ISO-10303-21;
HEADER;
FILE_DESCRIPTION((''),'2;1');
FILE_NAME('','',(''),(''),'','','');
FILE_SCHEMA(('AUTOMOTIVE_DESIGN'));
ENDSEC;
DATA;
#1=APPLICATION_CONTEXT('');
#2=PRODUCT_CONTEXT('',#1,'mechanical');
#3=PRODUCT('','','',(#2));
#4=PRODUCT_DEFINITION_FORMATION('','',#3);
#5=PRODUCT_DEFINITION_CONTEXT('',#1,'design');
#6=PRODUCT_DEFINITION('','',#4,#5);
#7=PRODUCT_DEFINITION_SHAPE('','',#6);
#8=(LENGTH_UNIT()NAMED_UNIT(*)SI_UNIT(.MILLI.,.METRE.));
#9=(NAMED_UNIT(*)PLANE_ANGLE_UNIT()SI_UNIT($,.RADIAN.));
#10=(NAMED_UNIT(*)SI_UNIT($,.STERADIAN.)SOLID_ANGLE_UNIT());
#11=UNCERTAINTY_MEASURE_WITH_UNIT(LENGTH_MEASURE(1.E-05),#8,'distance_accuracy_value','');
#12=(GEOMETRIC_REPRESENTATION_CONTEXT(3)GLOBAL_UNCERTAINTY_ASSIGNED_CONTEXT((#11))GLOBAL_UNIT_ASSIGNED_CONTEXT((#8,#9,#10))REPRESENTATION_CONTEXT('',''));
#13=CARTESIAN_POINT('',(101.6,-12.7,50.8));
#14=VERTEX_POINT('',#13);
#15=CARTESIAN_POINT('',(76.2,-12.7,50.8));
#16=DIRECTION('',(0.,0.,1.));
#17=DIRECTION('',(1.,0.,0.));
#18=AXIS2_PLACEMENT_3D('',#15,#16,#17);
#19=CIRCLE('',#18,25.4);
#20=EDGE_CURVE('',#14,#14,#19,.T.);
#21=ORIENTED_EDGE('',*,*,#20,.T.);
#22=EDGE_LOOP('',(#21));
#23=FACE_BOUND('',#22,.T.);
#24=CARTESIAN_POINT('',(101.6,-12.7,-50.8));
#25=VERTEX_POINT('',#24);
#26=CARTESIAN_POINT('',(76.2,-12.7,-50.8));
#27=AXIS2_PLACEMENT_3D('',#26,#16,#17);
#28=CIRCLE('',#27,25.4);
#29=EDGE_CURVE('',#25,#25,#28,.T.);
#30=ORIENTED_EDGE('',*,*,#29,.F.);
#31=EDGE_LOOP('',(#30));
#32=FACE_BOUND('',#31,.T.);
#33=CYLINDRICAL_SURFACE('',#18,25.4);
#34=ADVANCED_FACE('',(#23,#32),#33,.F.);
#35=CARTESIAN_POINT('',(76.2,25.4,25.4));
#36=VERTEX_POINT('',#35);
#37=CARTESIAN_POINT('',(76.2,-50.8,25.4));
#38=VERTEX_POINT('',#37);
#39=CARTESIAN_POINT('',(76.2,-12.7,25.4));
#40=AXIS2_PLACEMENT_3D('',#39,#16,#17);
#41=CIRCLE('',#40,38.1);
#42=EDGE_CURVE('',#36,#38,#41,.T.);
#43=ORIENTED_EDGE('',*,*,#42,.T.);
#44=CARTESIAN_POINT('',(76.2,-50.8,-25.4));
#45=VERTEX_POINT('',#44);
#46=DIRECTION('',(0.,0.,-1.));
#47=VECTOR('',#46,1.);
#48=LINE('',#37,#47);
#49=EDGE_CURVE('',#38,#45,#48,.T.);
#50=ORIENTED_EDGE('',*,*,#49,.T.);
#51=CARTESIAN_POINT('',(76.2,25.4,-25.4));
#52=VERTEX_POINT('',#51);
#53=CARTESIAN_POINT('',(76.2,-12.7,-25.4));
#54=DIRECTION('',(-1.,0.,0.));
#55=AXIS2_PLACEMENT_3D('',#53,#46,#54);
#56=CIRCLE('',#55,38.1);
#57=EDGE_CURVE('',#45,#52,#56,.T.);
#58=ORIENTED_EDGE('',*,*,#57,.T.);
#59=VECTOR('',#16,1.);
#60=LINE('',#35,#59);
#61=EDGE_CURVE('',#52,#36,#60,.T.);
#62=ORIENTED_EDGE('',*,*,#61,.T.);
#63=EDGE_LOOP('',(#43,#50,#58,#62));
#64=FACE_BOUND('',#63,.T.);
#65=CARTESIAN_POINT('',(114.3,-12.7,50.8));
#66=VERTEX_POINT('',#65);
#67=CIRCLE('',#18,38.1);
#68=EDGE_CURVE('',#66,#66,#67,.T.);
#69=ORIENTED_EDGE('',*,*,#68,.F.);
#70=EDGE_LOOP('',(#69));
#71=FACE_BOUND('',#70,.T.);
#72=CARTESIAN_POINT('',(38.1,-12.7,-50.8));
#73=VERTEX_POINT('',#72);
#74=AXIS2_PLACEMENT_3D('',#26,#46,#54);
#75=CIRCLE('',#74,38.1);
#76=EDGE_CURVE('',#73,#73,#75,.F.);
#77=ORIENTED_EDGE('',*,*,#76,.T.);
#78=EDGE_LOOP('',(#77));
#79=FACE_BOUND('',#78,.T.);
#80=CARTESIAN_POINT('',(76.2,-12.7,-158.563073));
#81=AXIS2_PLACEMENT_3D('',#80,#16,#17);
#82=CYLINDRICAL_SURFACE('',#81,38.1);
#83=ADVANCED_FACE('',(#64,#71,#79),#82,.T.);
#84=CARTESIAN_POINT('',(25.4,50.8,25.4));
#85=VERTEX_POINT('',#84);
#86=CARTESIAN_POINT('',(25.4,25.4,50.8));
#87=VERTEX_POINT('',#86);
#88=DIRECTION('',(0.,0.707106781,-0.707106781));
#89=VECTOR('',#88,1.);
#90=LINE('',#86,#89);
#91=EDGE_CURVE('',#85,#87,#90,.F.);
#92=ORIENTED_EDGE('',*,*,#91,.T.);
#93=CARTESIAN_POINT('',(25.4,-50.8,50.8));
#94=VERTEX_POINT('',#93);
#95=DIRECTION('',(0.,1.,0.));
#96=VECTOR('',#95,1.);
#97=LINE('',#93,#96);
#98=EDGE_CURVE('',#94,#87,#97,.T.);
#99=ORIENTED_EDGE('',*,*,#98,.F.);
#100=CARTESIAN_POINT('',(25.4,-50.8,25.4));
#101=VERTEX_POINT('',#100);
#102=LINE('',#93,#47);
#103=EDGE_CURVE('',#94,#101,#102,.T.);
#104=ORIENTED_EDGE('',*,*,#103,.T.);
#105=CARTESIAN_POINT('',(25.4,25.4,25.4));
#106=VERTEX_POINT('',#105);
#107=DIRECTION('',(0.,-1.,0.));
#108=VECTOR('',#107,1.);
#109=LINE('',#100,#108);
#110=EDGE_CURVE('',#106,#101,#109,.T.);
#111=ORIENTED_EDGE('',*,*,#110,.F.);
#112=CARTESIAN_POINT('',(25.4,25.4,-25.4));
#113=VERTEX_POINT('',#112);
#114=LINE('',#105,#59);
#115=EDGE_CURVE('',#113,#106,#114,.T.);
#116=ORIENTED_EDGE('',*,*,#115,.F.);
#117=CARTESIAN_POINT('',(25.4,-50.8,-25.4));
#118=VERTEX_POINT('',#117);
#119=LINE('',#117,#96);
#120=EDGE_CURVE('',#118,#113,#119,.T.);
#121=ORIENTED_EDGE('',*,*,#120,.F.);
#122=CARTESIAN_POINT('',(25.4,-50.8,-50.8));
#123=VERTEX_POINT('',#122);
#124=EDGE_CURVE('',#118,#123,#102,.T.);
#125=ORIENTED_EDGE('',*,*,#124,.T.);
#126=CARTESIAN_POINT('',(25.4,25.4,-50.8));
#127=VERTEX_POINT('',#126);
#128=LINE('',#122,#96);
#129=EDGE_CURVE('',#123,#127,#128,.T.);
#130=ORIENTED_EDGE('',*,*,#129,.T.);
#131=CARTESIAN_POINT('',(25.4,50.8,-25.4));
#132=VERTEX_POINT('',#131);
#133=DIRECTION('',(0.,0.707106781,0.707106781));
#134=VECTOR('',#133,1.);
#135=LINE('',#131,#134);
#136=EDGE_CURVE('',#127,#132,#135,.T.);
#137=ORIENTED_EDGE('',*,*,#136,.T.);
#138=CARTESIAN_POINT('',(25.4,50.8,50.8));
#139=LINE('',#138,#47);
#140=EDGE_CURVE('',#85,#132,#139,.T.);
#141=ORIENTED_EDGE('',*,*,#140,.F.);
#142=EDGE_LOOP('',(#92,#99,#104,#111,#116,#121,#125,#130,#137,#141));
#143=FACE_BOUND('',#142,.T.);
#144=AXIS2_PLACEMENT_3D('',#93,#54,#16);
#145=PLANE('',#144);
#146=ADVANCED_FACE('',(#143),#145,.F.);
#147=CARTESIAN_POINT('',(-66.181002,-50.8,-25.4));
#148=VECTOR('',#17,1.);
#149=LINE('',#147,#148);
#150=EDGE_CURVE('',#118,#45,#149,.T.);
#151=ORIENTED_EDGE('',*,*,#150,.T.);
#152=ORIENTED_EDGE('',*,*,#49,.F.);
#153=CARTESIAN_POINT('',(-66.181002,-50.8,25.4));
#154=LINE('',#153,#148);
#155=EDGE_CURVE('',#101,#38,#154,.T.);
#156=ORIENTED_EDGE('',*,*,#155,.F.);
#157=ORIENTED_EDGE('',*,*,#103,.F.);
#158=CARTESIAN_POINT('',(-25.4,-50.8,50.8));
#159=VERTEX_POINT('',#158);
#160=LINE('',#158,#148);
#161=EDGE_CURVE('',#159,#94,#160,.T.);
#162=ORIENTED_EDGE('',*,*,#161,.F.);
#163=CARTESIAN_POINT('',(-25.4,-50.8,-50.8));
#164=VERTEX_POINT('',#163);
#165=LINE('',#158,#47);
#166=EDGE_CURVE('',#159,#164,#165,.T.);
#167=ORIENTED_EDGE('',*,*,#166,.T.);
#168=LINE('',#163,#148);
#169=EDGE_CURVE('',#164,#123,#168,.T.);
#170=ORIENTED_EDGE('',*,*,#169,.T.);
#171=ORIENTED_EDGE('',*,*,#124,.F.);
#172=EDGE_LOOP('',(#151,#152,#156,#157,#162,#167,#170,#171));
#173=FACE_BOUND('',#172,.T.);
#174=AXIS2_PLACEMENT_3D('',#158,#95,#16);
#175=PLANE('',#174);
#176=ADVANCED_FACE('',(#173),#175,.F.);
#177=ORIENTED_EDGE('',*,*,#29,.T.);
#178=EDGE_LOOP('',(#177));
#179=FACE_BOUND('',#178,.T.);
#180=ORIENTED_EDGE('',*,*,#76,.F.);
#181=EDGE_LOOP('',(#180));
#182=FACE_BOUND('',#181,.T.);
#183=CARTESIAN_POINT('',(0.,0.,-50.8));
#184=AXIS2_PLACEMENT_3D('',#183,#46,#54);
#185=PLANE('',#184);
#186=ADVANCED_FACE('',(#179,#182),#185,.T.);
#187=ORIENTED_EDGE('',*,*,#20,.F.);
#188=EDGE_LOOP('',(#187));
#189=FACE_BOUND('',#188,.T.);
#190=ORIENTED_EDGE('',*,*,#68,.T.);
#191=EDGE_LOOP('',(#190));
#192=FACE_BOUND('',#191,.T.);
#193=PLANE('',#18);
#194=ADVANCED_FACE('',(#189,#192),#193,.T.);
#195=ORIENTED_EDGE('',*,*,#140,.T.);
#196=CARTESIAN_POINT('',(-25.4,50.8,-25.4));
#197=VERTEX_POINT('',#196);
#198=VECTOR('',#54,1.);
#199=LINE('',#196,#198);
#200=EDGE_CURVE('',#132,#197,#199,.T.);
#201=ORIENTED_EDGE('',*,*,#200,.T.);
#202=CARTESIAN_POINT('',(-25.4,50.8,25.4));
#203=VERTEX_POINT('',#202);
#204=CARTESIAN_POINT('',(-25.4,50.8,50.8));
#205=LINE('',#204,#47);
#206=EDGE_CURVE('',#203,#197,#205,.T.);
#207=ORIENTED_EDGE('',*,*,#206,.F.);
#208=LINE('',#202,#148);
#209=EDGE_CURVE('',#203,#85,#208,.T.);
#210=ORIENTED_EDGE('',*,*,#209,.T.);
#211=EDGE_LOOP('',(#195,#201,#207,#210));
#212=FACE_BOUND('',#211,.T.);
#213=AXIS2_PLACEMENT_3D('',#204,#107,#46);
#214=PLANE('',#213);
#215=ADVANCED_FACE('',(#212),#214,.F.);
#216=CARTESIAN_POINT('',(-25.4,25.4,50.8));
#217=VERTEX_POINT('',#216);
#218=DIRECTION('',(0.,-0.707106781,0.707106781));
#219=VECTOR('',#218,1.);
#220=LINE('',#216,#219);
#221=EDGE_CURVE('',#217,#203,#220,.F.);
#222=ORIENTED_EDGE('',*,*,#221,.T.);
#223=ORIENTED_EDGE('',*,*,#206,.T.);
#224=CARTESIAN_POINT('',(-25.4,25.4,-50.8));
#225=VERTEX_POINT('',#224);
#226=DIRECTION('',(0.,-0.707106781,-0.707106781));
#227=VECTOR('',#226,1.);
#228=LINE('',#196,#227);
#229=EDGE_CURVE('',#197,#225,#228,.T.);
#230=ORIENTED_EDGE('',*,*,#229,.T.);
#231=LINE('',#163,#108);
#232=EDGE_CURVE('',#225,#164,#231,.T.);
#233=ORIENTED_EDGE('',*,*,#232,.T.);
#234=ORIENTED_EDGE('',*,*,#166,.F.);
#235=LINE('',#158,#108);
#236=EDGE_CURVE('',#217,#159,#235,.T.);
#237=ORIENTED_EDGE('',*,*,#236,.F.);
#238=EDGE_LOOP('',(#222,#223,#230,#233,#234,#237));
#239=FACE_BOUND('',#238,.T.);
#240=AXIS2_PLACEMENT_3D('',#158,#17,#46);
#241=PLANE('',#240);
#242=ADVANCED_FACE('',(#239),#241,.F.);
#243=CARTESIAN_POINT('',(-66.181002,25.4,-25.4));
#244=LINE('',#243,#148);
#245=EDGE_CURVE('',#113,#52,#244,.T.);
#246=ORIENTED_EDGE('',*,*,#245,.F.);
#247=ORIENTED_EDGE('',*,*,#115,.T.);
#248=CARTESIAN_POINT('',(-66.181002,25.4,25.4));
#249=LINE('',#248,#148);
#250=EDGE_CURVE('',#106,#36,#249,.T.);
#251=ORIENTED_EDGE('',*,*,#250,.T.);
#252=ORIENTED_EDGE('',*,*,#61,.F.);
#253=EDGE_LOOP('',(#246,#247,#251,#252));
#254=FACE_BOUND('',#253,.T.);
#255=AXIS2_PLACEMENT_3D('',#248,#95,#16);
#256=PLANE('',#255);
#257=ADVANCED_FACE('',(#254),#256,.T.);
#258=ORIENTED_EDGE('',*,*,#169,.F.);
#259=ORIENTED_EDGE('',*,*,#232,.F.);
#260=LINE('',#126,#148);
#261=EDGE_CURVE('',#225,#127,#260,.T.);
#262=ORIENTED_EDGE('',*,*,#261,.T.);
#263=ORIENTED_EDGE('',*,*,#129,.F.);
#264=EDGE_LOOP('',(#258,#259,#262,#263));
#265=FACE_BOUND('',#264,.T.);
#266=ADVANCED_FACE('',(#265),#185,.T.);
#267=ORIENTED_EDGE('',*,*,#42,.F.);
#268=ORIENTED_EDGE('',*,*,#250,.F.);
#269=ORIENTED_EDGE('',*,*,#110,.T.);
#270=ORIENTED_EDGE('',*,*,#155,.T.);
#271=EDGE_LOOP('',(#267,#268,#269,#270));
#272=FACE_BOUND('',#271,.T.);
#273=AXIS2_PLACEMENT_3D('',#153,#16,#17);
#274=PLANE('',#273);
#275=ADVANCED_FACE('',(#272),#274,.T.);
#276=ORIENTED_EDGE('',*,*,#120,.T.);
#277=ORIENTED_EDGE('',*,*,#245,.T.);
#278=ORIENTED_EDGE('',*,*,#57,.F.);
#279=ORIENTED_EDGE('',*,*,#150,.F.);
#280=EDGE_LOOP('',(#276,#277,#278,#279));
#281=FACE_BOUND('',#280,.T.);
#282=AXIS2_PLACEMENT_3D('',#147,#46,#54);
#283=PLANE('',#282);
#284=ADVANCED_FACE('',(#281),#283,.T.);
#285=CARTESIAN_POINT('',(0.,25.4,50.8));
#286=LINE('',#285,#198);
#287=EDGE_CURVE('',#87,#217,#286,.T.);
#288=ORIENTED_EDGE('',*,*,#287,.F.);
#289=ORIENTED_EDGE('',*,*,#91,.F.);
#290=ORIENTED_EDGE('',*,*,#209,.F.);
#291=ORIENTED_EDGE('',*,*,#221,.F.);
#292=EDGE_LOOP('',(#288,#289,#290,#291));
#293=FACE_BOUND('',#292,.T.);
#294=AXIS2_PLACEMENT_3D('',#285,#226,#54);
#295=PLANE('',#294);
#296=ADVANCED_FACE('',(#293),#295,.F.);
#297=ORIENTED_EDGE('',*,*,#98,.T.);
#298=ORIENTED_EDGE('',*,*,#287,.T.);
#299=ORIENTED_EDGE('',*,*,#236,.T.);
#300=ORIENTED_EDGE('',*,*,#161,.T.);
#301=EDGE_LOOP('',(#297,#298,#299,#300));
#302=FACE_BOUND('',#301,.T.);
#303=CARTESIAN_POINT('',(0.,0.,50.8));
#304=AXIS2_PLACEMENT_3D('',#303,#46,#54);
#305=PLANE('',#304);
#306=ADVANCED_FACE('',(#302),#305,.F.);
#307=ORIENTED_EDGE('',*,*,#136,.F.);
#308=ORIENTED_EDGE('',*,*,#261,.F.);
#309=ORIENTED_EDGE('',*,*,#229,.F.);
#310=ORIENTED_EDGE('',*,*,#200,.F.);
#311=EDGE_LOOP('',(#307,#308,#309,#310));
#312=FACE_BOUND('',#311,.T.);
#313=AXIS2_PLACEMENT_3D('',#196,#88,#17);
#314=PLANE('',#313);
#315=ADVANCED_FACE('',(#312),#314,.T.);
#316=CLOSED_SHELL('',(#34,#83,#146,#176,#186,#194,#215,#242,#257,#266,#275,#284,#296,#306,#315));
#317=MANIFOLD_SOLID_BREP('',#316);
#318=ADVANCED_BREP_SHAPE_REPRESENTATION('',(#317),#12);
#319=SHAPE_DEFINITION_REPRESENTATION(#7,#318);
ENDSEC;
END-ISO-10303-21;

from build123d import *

# Parameters (mm, degrees)
SKETCH2_W           = 50.8
SKETCH2_H           = 101.6
BOSS_EXTRUDE1_DEPTH = 50.8
SKETCH3_W           = 50.8
SKETCH3_H           = 76.2
BOSS_EXTRUDE2_DEPTH = 50.8
BOSS_EXTRUDE3_REACH = 138.783
SKETCH4_R           = 38.1
CHAMFER2_SIZE       = 25.4
HOLE1_D             = 50.8


with BuildPart() as part:
    # Sketch2 → Boss-Extrude1 (new, symmetric)
    with BuildSketch(Plane.XY):
        Rectangle(SKETCH2_W, SKETCH2_H)
    extrude(amount=BOSS_EXTRUDE1_DEPTH, both=True)

    # Sketch3 → Boss-Extrude2 (add)
    with BuildSketch(Plane(origin=(76.2, 0, 0), x_dir=(0, 0, -1), z_dir=(1, 0, 0))):
        with Locations((0, -12.7)):
            Rectangle(SKETCH3_W, SKETCH3_H)
    extrude(amount=-BOSS_EXTRUDE2_DEPTH)

    # Boss-Extrude3: up to this face of the body (flat: up to its plane)
    boss_extrude3_end = Plane(part.part.faces().sort_by_distance((0, 0, -50.8))[0])
    # Sketch4 → Boss-Extrude3 (add, up to the picked face)
    with BuildSketch(Plane.XY.offset(50.8), mode=Mode.PRIVATE) as boss_extrude3_sk1:
        with Locations((76.2, -12.7)):
            Circle(SKETCH4_R)
    boss_extrude3_tool1 = split(extrude(boss_extrude3_sk1.sketch, amount=-BOSS_EXTRUDE3_REACH, mode=Mode.PRIVATE), bisect_by=boss_extrude3_end, keep=Keep.BOTH, mode=Mode.PRIVATE)
    add(boss_extrude3_tool1.solids().sort_by(Axis((76.2, -12.7, 50.8), (0, 0, -1)))[0])

    # Chamfer2
    chamfer2_edges = [part.edges().sort_by_distance(p)[0] for p in [
        (0, 50.8, -50.8),
        (0, 50.8, 50.8),
    ]]
    chamfer(chamfer2_edges, length=CHAMFER2_SIZE)

    # Hole1 (through all)
    with Locations(Plane(origin=(76.2, -12.7, 50.8), x_dir=(1, 0, 0), z_dir=(0, 0, 1))):
        with Locations((0, 0)):
            Hole(HOLE1_D / 2)


solid = part.part
